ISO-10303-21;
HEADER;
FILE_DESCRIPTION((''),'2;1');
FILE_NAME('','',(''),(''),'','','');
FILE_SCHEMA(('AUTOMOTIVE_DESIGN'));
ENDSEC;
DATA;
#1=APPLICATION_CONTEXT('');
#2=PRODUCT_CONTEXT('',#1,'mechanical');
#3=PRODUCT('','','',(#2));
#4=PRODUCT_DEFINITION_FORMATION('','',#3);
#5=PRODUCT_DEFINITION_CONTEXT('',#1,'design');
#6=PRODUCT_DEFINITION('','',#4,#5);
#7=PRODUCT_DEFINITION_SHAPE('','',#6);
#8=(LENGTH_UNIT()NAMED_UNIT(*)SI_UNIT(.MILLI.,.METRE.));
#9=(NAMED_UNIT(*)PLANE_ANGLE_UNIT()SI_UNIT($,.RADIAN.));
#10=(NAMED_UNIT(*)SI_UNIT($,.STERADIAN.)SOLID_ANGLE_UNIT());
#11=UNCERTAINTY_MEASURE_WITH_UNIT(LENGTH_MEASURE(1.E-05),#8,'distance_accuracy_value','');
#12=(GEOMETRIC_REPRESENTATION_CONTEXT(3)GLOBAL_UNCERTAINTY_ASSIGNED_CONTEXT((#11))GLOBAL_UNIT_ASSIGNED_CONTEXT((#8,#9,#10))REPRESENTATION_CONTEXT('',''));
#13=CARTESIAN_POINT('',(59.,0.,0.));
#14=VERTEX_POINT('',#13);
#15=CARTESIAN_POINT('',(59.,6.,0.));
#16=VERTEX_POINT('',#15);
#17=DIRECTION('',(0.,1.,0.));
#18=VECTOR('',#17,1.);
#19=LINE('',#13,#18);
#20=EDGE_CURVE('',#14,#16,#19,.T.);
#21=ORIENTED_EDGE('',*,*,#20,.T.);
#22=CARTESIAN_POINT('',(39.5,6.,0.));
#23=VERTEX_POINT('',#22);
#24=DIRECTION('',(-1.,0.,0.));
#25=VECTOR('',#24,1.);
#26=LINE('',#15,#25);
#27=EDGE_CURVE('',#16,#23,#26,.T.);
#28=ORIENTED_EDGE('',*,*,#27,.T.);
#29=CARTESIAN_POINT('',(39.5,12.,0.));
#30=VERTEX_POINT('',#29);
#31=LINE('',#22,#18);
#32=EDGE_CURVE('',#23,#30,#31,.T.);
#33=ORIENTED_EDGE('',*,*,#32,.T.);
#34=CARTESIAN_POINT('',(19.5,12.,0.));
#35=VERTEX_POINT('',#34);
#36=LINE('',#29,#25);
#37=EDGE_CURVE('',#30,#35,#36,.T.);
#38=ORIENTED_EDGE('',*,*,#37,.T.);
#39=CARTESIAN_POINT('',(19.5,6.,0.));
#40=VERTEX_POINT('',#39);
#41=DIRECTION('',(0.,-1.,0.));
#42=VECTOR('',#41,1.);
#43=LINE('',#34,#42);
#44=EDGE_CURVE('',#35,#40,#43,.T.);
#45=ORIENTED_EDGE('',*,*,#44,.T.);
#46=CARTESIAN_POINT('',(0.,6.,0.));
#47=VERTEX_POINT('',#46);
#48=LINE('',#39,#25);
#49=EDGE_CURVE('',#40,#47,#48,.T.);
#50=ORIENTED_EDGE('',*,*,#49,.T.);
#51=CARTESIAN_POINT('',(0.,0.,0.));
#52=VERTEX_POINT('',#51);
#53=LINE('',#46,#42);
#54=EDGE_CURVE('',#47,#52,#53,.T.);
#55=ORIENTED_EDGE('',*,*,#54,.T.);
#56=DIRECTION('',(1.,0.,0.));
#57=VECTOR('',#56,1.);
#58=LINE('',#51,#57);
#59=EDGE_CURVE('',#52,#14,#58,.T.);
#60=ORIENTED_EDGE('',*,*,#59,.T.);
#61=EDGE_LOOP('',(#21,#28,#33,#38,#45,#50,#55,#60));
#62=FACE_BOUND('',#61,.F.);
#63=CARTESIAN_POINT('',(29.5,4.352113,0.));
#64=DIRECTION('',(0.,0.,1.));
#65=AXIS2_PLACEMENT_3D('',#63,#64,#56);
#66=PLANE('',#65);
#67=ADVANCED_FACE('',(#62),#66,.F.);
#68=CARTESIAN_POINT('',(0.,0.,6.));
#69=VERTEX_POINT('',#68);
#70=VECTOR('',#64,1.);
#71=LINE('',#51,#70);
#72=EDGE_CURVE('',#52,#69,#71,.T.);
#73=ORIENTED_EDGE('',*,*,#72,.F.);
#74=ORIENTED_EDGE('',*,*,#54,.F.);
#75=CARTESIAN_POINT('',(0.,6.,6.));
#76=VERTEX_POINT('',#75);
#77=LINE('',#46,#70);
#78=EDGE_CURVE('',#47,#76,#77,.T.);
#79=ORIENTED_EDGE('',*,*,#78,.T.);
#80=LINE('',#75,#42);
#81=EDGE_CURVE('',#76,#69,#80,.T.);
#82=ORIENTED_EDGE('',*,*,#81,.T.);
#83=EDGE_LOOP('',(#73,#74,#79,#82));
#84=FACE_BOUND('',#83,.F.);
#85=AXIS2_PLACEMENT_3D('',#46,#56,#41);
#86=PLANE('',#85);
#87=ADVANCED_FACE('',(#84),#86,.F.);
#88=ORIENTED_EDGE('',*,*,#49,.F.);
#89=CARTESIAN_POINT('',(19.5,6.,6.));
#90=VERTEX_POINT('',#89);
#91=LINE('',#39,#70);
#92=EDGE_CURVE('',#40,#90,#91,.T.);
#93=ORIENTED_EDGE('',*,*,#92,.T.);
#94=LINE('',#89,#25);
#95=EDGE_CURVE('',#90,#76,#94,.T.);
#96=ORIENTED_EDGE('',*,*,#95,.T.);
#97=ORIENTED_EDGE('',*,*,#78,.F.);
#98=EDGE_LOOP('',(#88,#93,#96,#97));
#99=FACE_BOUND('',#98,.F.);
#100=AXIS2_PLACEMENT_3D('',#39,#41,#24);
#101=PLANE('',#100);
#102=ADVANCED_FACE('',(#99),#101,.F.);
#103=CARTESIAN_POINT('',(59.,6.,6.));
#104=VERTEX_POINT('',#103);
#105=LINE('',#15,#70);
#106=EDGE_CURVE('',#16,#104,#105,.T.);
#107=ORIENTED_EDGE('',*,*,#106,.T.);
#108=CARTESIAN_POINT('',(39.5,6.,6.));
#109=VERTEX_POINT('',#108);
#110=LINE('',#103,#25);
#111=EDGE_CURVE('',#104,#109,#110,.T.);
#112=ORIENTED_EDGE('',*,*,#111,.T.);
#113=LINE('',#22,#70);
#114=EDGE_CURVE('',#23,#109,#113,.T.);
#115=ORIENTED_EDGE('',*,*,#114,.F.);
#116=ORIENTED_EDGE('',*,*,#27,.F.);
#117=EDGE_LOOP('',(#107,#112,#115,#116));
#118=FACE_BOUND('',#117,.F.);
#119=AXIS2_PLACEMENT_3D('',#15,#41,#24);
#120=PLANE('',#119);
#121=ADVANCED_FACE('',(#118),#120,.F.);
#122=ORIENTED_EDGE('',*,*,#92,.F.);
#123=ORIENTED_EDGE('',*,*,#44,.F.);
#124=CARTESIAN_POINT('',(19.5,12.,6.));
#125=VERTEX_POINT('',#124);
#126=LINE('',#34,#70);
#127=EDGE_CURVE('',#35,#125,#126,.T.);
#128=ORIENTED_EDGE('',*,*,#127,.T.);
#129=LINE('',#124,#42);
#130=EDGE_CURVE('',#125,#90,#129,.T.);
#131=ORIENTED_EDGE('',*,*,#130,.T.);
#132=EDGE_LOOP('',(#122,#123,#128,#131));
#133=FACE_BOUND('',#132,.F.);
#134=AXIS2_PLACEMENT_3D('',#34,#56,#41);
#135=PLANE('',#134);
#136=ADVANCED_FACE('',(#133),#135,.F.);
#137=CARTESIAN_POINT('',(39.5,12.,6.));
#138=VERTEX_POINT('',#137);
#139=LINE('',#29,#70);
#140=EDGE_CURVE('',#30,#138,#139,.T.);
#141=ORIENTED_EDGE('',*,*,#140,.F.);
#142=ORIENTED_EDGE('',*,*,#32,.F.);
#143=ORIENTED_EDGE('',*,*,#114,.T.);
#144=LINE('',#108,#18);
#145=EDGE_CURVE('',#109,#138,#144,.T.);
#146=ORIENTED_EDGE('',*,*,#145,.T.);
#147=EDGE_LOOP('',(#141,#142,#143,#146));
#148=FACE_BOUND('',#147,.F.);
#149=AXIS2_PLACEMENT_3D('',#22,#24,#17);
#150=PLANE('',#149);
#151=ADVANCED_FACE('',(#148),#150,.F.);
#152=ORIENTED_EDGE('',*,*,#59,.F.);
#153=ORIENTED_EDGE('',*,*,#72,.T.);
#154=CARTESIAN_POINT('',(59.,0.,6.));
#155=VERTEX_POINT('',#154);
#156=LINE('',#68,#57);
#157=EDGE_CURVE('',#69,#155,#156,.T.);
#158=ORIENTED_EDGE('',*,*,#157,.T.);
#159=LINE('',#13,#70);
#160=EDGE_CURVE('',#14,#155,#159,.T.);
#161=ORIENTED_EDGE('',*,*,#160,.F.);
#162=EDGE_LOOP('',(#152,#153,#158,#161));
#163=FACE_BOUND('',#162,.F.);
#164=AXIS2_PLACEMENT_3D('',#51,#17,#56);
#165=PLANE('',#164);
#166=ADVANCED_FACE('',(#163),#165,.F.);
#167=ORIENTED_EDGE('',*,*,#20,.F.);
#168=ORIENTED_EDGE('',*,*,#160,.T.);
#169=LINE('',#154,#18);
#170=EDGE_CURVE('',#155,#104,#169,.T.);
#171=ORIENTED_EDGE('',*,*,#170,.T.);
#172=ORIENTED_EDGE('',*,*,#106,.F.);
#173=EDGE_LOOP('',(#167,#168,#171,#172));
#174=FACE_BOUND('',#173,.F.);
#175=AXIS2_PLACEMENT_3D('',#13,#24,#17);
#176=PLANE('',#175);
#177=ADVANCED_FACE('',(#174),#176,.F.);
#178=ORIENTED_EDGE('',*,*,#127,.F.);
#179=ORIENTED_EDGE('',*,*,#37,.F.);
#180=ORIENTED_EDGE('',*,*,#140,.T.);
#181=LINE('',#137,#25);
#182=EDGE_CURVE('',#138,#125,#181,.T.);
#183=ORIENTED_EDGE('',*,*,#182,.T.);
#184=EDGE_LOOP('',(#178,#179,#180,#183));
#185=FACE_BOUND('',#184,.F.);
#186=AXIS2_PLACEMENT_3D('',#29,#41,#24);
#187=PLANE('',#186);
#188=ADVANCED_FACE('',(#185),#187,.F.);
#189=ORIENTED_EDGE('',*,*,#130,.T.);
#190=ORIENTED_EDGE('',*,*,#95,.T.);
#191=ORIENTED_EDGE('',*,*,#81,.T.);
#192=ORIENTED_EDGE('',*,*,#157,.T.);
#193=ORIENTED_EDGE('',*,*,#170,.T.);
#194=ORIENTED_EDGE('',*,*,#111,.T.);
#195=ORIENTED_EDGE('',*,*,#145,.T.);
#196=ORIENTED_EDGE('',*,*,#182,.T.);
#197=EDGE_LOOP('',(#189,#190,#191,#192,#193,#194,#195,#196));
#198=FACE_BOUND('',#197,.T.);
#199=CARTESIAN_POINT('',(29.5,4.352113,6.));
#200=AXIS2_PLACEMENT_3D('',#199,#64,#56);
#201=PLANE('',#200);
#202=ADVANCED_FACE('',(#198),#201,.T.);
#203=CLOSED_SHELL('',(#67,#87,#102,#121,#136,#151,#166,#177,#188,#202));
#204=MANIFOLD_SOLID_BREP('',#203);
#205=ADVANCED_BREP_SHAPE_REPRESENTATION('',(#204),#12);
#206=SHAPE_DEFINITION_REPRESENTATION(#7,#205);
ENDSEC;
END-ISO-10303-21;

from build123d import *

# Parameters (mm, degrees)
RESSALTO_EXTRUS_O1_DEPTH = 6


with BuildPart() as part:
    # Esboço1 → Ressalto-extrusão1 (new body)
    with BuildSketch(Plane.XY):
        Polygon((19.5, 12), (19.5, 6), (0, 6), (0, 0), (59, 0), (59, 6), (39.5, 6), (39.5, 12), align=None)
    extrude(amount=RESSALTO_EXTRUS_O1_DEPTH)


solid = part.part
